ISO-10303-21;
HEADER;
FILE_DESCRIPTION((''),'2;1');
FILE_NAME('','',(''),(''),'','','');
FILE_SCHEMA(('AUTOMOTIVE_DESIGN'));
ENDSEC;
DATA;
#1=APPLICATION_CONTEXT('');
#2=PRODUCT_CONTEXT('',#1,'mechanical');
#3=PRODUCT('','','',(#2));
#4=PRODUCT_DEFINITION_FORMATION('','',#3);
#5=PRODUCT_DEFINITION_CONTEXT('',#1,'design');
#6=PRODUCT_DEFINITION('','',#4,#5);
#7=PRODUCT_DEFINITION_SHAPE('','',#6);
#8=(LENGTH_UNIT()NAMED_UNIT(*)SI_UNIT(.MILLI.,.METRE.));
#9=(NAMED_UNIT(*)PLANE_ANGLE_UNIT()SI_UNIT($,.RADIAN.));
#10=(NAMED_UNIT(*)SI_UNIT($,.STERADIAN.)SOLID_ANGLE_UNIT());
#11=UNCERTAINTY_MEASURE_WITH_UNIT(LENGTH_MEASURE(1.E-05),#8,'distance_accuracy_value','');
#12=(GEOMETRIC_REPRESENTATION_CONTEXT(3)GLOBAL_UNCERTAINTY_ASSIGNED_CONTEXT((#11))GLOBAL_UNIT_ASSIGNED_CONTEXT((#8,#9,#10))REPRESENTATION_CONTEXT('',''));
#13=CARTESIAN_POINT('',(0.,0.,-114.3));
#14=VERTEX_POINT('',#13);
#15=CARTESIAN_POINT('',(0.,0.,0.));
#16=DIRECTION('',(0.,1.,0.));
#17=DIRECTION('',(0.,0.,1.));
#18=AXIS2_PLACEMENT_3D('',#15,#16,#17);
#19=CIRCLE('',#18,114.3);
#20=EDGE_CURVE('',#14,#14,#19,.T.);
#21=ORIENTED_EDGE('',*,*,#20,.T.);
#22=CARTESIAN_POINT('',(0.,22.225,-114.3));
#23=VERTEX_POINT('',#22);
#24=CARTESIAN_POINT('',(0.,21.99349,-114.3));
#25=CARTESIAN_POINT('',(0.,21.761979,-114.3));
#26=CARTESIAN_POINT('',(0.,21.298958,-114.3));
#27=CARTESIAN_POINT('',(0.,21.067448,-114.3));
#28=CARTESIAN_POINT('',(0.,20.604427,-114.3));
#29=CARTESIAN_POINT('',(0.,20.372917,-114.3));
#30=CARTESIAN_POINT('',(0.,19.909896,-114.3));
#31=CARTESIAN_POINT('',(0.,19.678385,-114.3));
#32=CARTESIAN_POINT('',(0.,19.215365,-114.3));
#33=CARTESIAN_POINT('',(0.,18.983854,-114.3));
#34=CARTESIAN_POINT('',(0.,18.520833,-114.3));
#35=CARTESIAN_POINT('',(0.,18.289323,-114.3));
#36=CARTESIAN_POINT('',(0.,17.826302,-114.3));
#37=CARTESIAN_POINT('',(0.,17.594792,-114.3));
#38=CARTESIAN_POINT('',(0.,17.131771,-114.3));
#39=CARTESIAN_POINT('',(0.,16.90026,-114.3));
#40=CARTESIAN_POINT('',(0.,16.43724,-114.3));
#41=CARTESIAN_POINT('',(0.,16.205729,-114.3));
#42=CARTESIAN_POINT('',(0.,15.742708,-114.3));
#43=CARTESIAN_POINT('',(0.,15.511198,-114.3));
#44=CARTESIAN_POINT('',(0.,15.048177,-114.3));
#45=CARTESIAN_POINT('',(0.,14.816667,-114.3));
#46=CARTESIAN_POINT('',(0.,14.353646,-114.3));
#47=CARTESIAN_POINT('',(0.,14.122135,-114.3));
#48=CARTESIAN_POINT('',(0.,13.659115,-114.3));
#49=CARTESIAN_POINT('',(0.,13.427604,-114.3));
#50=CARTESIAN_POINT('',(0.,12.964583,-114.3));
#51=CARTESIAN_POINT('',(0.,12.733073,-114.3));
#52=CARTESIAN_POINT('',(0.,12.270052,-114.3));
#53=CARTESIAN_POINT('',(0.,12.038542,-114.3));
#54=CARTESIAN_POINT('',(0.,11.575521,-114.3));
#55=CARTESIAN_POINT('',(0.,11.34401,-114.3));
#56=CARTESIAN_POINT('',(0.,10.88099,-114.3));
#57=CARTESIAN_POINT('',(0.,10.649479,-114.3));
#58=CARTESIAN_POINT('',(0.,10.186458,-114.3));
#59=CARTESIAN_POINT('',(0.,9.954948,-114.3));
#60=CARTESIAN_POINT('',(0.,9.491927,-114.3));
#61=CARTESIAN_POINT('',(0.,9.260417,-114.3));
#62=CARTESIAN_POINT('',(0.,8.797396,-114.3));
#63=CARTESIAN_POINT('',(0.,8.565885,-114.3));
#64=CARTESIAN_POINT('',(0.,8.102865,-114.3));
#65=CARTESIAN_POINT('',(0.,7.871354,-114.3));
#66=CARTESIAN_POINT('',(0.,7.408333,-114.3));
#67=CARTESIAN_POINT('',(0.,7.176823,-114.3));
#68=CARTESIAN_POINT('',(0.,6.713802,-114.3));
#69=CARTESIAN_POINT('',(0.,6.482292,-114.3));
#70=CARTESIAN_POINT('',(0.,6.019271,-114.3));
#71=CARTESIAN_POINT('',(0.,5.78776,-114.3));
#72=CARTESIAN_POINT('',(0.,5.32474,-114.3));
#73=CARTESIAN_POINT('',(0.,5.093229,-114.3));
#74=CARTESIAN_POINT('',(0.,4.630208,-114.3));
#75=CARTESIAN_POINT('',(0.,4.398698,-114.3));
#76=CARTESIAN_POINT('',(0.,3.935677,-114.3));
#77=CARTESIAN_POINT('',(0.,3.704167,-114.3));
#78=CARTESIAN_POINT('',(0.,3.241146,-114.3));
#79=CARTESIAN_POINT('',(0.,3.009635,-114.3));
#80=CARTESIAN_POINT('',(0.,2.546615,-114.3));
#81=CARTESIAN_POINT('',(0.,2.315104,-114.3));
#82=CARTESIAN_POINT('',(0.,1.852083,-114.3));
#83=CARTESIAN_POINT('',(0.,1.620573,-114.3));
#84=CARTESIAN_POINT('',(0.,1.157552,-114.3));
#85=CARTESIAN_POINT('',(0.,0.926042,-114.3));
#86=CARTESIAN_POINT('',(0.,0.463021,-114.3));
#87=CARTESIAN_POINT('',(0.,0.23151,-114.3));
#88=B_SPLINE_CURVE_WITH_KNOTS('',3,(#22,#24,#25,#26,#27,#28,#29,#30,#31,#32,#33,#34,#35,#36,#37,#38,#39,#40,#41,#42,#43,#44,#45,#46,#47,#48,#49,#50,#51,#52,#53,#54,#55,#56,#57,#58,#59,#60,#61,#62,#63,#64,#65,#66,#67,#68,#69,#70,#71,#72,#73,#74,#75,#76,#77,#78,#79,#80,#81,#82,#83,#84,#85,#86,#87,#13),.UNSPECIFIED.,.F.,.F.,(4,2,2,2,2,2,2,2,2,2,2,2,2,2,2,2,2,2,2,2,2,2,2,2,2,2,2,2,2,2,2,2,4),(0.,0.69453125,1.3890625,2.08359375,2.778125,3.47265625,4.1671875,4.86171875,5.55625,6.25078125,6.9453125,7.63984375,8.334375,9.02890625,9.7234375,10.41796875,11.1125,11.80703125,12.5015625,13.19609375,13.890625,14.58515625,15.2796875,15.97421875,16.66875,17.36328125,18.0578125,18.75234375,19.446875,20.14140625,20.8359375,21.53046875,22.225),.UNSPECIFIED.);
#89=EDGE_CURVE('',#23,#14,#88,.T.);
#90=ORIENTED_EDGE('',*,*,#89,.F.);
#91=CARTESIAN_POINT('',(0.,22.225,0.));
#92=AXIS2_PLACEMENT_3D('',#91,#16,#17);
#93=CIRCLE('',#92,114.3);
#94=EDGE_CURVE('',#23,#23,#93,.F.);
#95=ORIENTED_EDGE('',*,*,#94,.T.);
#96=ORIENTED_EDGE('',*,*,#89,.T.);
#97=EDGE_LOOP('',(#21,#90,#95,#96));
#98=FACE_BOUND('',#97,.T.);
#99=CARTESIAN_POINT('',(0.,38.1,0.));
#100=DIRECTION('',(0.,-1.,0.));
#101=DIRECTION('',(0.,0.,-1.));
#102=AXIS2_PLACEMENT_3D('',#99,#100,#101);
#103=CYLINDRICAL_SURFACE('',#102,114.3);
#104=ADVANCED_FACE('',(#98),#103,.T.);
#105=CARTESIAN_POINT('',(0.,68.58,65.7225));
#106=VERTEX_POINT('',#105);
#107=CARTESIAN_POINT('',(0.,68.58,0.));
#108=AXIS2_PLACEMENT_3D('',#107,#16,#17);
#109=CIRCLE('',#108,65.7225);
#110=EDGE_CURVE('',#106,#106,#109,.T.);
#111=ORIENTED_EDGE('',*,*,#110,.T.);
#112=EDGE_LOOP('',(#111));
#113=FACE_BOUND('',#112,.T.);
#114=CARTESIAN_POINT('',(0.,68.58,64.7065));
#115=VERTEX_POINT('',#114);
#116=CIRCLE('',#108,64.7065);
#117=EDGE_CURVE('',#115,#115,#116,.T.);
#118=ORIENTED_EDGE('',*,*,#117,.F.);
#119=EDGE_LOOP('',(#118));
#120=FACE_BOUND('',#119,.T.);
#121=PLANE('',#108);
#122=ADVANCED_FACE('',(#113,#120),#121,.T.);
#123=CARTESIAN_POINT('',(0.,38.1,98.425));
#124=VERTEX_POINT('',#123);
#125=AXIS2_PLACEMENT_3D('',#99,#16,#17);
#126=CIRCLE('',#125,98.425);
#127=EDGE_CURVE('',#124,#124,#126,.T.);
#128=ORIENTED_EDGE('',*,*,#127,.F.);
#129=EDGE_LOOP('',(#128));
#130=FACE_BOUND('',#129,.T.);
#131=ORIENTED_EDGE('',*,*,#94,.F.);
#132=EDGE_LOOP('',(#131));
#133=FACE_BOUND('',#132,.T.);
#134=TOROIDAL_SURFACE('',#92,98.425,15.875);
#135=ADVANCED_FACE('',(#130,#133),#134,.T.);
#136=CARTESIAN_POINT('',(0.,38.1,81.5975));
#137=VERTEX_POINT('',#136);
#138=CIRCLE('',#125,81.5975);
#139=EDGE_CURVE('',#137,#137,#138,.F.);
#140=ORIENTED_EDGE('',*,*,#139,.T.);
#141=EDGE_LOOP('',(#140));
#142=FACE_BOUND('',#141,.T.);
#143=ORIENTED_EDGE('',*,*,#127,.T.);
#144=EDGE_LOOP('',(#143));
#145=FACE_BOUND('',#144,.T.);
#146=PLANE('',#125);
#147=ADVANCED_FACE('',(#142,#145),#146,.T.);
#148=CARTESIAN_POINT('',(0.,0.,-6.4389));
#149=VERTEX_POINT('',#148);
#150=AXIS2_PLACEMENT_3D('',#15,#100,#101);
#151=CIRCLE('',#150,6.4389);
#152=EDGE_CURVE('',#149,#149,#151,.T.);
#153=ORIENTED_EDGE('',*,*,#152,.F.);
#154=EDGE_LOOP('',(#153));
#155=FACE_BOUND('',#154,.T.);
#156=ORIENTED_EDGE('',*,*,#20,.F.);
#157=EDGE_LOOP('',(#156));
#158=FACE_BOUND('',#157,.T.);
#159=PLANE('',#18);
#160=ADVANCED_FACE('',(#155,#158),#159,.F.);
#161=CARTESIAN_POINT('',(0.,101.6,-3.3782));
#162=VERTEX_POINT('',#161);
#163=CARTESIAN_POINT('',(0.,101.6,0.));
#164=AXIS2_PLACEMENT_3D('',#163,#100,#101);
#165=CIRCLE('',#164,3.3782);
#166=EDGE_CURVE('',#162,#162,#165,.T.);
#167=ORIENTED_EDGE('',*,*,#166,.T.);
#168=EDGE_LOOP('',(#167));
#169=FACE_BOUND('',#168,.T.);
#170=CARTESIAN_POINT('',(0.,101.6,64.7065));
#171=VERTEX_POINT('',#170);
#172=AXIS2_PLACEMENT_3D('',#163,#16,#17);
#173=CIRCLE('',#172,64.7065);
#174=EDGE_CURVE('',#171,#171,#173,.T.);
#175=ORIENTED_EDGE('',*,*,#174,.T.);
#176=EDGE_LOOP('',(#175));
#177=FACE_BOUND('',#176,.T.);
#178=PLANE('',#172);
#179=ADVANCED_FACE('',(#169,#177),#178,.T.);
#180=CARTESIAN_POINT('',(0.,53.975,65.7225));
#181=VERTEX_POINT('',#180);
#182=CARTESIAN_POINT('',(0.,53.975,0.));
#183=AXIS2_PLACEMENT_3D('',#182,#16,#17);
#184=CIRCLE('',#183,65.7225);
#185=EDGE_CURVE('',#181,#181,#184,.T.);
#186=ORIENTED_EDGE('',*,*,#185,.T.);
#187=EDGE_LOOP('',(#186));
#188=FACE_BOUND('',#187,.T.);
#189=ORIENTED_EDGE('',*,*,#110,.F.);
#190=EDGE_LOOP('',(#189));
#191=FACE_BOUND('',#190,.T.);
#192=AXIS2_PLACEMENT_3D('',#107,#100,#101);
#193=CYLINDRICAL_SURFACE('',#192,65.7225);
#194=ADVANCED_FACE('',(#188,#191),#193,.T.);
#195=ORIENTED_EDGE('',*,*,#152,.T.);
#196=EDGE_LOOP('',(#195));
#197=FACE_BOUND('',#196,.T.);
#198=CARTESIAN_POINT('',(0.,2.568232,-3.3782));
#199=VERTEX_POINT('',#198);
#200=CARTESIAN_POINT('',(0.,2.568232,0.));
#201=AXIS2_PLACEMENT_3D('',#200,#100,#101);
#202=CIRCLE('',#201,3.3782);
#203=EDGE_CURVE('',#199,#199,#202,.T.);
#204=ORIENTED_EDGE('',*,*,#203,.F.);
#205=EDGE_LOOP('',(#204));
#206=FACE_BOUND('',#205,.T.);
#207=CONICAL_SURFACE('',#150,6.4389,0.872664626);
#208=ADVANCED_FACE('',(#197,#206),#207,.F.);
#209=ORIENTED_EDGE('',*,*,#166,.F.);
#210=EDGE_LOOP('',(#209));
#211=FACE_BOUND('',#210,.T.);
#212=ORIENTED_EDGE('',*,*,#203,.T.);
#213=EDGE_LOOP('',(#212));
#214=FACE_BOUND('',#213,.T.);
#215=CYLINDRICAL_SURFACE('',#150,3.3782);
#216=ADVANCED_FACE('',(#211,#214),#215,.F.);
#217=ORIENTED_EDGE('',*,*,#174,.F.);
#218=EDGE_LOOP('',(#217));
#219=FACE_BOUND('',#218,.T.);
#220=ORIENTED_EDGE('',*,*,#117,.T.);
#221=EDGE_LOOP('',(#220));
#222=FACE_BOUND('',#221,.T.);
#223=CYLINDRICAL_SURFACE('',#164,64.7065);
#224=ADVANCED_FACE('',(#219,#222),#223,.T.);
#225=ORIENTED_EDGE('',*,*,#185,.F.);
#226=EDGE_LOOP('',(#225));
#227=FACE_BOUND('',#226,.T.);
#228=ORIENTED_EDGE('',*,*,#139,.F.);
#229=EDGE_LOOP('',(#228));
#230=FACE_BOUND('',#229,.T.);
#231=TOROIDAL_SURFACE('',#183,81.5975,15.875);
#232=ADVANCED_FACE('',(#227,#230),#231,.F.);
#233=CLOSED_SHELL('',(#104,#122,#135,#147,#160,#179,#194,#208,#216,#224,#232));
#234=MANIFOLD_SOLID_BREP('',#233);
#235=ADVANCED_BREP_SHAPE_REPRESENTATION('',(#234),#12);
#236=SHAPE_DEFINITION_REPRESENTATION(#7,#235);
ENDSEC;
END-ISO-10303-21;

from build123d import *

# Parameters (mm, degrees)
SKETCH1_R                                           = 114.3
SKETCH1_R_2                                         = 65.7225
BOSS_EXTRUDE1_DEPTH                                 = 38.1
SKETCH1_3_R                                         = 65.7225
SKETCH1_3_R_2                                       = 64.7065
BOSS_EXTRUDE2_DEPTH                                 = 68.58
SKETCH1_4_R                                         = 64.7065
BOSS_EXTRUDE3_DEPTH                                 = 101.6
CSK_FOR_1_4_FLAT_HEAD_MACHINE_SCREW_100_D           = 6.7564
CSK_FOR_1_4_FLAT_HEAD_MACHINE_SCREW_100_CSINK_D     = 12.8778
CSK_FOR_1_4_FLAT_HEAD_MACHINE_SCREW_100_CSINK_ANGLE = 100
FILLET1_R                                           = 15.875
FILLET2_R                                           = 15.875


with BuildPart() as part:
    # Sketch1 → Boss-Extrude1 (new body)
    with BuildSketch(Plane(origin=(0, 0, 0), x_dir=(1, 0, 0), z_dir=(0, 1, 0))):
        Circle(SKETCH1_R)
        Circle(SKETCH1_R_2, mode=Mode.SUBTRACT)
    extrude(amount=BOSS_EXTRUDE1_DEPTH)

    # Sketch1<3> → Boss-Extrude2 (add)
    with BuildSketch(Plane(origin=(0, 0, 0), x_dir=(1, 0, 0), z_dir=(0, 1, 0))):
        Circle(SKETCH1_3_R)
        Circle(SKETCH1_3_R_2, mode=Mode.SUBTRACT)
    extrude(amount=BOSS_EXTRUDE2_DEPTH)

    # Sketch1<4> → Boss-Extrude3 (add)
    with BuildSketch(Plane(origin=(0, 0, 0), x_dir=(1, 0, 0), z_dir=(0, 1, 0))):
        Circle(SKETCH1_4_R)
    extrude(amount=BOSS_EXTRUDE3_DEPTH)

    # CSK for 1/4 Flat Head Machine Screw (100)1 (through all)
    with Locations(Plane(origin=(0, 0, 0), x_dir=(-1, 0, 0), z_dir=(0, -1, 0))):
        with Locations((0, 0)):
            CounterSinkHole(CSK_FOR_1_4_FLAT_HEAD_MACHINE_SCREW_100_D / 2, CSK_FOR_1_4_FLAT_HEAD_MACHINE_SCREW_100_CSINK_D / 2, counter_sink_angle=CSK_FOR_1_4_FLAT_HEAD_MACHINE_SCREW_100_CSINK_ANGLE)

    # Fillet1
    fillet1_edges = [part.edges().sort_by_distance(p)[0] for p in [
        (-65.7225, 38.1, 0),
    ]]
    fillet(fillet1_edges, radius=FILLET1_R)

    # Fillet2
    fillet2_edges = [part.edges().sort_by_distance(p)[0] for p in [
        (-114.3, 38.1, 0),
    ]]
    fillet(fillet2_edges, radius=FILLET2_R)


solid = part.part
